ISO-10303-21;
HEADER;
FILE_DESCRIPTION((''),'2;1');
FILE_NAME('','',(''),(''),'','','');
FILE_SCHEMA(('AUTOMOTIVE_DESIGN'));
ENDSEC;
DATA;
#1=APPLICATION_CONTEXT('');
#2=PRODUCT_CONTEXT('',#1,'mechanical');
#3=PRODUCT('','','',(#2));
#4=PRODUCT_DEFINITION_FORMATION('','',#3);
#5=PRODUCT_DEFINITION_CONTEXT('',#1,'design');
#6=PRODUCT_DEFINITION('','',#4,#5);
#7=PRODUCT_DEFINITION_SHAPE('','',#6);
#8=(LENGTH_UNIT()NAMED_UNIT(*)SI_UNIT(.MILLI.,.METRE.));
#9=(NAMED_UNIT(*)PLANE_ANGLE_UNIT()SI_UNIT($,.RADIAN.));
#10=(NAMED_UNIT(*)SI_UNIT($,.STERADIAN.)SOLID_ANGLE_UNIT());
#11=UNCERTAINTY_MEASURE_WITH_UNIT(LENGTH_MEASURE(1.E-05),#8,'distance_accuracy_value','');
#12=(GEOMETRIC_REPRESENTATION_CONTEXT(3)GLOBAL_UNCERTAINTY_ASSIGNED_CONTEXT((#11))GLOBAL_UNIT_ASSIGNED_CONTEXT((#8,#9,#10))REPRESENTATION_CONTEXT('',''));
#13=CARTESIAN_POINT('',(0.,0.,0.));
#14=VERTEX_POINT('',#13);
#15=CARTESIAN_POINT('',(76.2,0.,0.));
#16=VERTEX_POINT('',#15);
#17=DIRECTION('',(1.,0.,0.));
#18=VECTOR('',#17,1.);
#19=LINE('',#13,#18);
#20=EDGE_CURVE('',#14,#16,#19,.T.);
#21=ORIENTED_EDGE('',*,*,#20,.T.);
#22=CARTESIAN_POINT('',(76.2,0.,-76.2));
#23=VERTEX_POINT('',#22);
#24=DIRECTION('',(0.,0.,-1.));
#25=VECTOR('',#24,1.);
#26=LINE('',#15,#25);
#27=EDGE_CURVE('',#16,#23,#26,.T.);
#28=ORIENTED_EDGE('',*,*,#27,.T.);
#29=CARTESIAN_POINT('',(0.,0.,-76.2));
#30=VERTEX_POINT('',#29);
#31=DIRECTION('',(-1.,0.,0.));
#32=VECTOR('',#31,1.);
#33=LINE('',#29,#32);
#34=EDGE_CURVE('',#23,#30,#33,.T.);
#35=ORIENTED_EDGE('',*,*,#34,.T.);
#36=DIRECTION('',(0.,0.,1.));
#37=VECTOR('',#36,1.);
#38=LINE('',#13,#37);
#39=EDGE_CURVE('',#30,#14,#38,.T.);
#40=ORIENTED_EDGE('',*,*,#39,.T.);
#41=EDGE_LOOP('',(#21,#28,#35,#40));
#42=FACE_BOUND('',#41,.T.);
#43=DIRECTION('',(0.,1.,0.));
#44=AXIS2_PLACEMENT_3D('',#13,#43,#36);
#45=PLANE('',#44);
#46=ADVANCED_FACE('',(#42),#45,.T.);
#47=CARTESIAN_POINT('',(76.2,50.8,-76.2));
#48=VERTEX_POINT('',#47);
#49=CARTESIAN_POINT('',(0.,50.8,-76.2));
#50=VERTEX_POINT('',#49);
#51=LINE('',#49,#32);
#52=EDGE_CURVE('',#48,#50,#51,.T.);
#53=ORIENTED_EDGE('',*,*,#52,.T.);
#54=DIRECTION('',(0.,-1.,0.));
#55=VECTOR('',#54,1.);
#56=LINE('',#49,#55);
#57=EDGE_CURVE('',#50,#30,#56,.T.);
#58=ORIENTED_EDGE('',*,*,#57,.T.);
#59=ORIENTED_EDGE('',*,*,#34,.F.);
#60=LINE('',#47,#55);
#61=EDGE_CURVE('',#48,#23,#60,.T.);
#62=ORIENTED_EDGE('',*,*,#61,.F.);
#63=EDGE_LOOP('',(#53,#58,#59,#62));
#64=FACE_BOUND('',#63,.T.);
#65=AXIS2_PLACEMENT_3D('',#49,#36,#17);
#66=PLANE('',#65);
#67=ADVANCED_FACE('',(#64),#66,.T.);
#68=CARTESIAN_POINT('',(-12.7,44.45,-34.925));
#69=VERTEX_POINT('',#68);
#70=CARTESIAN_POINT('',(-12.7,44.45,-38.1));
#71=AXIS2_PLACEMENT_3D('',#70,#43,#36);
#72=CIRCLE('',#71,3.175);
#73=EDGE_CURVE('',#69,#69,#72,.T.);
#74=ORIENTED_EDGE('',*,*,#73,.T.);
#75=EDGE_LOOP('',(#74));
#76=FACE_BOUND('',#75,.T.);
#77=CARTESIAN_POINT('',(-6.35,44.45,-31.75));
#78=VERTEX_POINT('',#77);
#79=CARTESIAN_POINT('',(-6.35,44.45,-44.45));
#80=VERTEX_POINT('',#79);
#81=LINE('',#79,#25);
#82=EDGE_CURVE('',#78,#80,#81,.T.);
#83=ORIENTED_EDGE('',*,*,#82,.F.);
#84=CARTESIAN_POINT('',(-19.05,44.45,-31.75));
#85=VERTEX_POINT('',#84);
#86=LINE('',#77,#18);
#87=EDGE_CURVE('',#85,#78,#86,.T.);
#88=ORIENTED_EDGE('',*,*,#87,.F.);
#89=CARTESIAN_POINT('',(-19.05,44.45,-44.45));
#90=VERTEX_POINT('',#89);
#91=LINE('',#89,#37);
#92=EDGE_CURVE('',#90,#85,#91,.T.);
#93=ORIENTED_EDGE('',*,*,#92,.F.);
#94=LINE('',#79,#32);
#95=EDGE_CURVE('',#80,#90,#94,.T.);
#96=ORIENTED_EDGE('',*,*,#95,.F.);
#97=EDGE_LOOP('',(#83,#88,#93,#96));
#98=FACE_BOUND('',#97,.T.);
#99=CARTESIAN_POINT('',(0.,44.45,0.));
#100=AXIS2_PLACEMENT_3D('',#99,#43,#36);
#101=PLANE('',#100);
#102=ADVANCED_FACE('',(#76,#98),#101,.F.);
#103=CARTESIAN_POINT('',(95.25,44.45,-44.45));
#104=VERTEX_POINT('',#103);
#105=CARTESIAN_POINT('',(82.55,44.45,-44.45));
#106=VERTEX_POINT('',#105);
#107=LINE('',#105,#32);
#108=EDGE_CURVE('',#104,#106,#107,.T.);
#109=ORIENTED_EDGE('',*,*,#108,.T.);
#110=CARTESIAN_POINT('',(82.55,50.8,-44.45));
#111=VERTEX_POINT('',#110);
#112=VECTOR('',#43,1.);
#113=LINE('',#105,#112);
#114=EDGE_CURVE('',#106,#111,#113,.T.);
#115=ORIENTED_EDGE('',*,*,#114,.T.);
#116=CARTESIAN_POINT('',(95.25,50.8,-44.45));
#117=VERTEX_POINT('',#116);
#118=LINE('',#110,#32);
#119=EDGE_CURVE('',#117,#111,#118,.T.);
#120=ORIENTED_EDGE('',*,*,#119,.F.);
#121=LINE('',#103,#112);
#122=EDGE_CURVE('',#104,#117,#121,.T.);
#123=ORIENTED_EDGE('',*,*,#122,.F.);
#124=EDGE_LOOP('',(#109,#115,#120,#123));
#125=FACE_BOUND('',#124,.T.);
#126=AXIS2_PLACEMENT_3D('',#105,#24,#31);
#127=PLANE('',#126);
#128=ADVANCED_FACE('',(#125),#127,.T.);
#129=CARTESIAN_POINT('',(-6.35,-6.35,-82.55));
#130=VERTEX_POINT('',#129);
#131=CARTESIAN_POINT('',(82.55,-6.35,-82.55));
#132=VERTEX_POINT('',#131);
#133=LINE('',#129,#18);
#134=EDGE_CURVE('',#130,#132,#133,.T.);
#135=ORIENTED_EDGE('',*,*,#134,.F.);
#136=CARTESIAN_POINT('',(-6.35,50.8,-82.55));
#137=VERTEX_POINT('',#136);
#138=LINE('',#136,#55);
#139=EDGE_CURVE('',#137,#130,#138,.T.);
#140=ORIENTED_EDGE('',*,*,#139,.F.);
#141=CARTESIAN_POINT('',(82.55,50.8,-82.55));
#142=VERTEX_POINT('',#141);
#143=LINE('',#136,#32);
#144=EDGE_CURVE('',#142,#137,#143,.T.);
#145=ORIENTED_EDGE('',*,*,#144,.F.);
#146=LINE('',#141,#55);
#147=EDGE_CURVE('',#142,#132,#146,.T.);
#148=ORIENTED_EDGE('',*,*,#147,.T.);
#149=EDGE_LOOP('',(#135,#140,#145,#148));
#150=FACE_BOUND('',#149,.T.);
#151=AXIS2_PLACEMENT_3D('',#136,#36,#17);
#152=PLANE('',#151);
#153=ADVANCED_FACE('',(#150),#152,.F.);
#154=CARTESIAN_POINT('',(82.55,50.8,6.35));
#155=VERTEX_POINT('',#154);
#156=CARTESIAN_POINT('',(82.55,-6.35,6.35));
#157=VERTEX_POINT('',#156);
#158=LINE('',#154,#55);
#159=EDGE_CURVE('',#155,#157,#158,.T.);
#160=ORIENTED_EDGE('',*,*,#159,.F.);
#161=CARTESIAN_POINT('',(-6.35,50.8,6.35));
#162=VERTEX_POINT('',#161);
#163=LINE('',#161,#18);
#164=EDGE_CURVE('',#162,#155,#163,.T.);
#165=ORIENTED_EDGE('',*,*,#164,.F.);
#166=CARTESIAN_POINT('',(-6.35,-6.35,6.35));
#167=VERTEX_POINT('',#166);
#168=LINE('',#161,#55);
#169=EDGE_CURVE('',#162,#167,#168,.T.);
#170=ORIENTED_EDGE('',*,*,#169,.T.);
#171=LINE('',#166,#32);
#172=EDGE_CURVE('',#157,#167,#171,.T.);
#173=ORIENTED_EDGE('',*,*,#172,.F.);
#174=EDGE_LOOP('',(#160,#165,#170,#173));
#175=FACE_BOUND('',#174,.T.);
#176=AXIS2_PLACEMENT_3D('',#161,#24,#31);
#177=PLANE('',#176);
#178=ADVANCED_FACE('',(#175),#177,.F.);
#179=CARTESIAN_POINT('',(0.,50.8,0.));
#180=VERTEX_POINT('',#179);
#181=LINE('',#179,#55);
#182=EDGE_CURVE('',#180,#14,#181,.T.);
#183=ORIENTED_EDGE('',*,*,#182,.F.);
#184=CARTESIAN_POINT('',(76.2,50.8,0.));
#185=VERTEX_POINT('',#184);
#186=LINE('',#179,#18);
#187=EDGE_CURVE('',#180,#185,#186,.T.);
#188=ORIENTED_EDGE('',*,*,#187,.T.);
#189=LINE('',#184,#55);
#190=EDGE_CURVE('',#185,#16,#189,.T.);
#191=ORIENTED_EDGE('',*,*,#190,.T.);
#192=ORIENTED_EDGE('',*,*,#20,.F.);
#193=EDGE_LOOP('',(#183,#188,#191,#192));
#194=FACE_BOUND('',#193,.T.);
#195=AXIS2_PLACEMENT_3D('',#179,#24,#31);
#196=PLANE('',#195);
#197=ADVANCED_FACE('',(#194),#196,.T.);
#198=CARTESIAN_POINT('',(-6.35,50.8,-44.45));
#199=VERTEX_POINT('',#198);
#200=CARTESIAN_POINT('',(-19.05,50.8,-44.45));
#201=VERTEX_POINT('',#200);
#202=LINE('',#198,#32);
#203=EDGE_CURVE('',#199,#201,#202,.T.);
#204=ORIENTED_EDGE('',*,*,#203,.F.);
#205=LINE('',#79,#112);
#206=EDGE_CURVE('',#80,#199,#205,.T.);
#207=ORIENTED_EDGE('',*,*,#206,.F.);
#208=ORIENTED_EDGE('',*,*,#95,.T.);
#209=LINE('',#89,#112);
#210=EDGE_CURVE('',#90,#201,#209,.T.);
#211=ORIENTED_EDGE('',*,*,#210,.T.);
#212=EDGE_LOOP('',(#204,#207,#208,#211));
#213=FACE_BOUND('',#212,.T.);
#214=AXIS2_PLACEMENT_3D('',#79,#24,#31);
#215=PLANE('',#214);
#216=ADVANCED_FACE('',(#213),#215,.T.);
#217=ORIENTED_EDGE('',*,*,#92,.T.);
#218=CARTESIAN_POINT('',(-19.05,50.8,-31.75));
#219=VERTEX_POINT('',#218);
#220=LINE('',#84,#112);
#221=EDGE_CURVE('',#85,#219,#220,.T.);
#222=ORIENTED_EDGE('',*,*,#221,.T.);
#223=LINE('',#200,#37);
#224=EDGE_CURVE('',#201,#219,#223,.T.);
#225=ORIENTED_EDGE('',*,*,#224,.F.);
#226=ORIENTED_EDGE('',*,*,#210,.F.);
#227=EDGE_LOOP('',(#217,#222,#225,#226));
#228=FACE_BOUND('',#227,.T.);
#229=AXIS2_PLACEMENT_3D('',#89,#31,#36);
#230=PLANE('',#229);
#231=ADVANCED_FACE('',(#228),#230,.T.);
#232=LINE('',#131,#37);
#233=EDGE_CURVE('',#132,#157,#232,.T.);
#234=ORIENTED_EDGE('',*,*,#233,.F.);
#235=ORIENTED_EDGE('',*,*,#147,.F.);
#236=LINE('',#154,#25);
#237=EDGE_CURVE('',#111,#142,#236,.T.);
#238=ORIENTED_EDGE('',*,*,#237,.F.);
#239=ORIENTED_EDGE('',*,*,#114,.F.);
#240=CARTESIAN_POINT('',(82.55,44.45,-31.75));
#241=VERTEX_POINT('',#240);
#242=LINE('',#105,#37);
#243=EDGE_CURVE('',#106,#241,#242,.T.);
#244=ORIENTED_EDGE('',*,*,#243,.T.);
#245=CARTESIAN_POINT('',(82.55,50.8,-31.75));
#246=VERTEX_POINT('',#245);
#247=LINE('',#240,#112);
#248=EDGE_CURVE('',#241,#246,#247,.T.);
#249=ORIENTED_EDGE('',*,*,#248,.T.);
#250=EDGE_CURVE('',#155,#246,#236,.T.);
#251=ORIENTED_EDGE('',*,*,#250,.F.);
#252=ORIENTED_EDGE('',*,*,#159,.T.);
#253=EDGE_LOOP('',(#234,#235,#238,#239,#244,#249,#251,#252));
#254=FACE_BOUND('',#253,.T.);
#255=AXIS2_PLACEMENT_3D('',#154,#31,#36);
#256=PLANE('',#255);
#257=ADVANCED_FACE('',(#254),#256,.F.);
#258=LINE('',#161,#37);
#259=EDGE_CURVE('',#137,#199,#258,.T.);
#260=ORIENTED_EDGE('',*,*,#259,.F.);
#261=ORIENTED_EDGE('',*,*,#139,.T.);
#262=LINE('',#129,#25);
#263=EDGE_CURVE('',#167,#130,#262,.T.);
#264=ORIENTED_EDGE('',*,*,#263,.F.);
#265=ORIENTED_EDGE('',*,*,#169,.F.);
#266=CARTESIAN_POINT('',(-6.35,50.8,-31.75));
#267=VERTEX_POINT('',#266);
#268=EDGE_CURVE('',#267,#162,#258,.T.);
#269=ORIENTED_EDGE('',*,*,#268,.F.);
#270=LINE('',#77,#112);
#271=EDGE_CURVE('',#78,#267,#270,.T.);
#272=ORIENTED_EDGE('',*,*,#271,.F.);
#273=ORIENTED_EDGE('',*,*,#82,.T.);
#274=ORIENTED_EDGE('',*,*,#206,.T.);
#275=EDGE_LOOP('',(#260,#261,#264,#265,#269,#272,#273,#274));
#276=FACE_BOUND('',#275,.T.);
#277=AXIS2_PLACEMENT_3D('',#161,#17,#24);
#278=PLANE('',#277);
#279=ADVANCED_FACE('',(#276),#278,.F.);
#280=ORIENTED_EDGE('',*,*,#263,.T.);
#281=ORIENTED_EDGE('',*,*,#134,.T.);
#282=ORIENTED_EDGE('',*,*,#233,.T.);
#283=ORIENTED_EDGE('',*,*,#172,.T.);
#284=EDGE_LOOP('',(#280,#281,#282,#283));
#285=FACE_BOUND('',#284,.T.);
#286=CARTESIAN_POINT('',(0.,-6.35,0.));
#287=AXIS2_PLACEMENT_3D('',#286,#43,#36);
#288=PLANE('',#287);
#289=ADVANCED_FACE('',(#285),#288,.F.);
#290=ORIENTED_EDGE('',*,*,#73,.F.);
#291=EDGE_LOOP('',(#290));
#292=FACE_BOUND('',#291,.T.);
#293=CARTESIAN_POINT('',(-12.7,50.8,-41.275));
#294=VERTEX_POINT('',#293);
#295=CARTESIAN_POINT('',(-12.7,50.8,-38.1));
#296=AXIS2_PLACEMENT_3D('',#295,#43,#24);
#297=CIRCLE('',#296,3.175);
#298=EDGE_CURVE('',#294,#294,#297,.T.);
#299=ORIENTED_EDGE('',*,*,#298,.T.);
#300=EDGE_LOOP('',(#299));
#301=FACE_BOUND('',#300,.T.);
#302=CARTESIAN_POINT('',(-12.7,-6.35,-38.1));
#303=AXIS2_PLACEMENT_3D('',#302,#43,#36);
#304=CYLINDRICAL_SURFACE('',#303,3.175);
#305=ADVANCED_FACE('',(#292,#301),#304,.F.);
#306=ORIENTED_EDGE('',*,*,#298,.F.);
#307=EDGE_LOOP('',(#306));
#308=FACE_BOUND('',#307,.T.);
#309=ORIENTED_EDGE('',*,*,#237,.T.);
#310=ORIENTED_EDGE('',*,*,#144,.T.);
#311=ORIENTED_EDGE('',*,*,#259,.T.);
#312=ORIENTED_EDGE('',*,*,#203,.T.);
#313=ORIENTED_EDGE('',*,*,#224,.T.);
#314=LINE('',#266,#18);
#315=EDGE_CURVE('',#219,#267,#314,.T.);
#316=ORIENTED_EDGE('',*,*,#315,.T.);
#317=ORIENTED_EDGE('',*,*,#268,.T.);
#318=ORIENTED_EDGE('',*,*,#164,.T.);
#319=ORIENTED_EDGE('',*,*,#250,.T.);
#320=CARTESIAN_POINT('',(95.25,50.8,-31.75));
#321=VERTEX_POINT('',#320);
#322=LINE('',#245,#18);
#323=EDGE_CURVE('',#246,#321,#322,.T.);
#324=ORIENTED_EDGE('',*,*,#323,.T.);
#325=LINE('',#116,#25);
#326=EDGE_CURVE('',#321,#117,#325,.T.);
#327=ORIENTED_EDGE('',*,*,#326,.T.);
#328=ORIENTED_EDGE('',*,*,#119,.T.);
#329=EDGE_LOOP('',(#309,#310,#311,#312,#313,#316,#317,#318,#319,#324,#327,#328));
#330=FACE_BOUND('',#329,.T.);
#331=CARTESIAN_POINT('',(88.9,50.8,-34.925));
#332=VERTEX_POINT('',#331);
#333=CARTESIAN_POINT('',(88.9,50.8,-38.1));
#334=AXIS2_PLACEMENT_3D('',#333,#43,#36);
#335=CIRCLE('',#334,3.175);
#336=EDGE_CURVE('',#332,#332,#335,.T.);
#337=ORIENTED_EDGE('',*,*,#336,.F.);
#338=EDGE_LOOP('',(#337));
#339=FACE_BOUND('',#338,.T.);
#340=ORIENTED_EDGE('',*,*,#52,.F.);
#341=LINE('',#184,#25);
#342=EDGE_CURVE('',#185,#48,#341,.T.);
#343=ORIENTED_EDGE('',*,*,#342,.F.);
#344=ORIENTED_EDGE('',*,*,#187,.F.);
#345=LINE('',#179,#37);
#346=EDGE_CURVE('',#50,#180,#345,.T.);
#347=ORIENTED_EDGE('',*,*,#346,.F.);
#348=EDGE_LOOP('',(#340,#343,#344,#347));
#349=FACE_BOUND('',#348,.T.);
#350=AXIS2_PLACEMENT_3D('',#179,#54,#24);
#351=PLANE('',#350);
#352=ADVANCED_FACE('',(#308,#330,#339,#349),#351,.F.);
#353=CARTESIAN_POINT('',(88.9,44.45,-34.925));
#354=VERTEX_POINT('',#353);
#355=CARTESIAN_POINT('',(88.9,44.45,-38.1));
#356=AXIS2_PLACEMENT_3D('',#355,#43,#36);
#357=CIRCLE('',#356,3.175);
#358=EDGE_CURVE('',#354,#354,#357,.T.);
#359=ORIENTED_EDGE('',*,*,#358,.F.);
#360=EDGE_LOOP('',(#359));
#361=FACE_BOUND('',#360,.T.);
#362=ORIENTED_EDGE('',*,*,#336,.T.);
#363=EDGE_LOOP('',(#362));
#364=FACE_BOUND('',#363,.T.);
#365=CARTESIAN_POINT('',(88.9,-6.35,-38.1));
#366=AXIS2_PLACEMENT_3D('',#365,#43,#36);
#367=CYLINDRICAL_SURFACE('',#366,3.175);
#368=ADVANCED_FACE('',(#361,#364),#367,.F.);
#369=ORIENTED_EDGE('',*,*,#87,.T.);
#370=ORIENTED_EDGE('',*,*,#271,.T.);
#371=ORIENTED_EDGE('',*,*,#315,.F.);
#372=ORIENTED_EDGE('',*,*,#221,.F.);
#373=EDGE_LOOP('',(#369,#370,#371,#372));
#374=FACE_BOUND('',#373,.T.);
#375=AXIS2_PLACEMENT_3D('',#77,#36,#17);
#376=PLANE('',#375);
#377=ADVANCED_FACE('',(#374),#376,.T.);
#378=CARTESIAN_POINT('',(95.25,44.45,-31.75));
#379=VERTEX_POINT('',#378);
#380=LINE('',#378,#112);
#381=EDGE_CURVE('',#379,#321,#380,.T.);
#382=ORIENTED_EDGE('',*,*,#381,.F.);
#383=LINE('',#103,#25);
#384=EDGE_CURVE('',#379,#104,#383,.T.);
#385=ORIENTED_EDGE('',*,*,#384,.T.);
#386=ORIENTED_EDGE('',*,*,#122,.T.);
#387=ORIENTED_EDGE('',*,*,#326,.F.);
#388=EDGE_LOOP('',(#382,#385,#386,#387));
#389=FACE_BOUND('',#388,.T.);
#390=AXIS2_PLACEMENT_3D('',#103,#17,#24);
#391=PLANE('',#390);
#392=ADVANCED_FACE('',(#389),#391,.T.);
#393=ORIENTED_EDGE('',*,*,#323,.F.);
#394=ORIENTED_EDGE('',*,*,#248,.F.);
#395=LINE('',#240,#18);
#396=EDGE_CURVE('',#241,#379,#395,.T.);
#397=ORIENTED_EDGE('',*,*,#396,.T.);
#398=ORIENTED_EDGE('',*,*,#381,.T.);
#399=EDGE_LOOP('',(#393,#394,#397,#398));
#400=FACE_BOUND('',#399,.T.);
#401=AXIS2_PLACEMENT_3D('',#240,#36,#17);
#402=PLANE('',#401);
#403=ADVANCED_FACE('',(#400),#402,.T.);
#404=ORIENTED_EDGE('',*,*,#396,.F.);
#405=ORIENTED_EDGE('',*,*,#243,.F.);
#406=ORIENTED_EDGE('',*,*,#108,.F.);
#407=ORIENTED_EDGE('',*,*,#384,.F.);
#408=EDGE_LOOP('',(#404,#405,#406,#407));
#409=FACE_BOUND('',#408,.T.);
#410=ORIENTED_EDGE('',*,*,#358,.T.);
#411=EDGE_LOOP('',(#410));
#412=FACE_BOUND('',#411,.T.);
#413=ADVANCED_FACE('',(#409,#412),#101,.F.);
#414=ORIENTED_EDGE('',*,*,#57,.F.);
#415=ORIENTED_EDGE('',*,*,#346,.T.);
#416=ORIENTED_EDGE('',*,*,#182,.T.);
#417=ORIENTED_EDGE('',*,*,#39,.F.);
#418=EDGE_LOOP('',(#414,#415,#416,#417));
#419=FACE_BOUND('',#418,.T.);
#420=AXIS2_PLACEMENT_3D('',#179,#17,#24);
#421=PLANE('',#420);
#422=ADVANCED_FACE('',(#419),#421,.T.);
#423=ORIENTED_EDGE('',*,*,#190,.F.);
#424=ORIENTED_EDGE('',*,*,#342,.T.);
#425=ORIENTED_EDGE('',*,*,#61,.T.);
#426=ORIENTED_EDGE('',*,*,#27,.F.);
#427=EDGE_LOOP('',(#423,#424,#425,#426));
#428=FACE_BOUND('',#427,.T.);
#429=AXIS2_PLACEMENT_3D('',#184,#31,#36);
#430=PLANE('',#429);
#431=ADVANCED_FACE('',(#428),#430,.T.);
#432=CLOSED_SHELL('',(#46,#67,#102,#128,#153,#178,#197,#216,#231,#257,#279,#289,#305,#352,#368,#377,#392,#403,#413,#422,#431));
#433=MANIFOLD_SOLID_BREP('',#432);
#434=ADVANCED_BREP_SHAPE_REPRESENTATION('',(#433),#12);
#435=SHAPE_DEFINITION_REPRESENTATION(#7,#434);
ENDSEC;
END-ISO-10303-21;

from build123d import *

# Parameters (mm, degrees)
SKETCH1_W           = 88.9
SKETCH1_H           = 88.9
SKETCH1_W_2         = 76.2
SKETCH1_H_2         = 76.2
BOSS_EXTRUDE1_DEPTH = 50.8
SKETCH2_W           = 88.9
SKETCH2_H           = 88.9
BOSS_EXTRUDE2_DEPTH = 6.35
SKETCH3_W           = 12.7
SKETCH3_H           = 12.7
BOSS_EXTRUDE3_DEPTH = 6.35
SKETCH4_R           = 3.175
CUT_EXTRUDE1_DEPTH  = 58.15


with BuildPart() as part:
    # Sketch1 → Boss-Extrude1 (new body)
    with BuildSketch(Plane(origin=(0, 0, 0), x_dir=(1, 0, 0), z_dir=(0, 1, 0))):
        with Locations((38.1, 38.1)):
            Rectangle(SKETCH1_W, SKETCH1_H)
        with Locations((38.1, 38.1)):
            Rectangle(SKETCH1_W_2, SKETCH1_H_2, mode=Mode.SUBTRACT)
    extrude(amount=BOSS_EXTRUDE1_DEPTH)

    # Sketch2 → Boss-Extrude2 (add)
    with BuildSketch(Plane.XZ):
        with Locations((38.1, -38.1)):
            Rectangle(SKETCH2_W, SKETCH2_H)
    extrude(amount=BOSS_EXTRUDE2_DEPTH)

    # Sketch3 → Boss-Extrude3 (add)
    with BuildSketch(Plane(origin=(0, 50.8, 0), x_dir=(1, 0, 0), z_dir=(0, 1, 0))):
        with Locations((88.9, 38.1)):
            Rectangle(SKETCH3_W, SKETCH3_H)
        with Locations((-12.7, 38.1)):
            Rectangle(SKETCH3_W, SKETCH3_H)
    extrude(amount=-BOSS_EXTRUDE3_DEPTH)

    # Sketch4 → Cut-Extrude1 (cut, through all)
    with BuildSketch(Plane(origin=(0, 50.8, 0), x_dir=(1, 0, 0), z_dir=(0, 1, 0))):
        with Locations((88.9, 38.1)):
            Circle(SKETCH4_R)
        with Locations((-12.7, 38.1)):
            Circle(SKETCH4_R)
    extrude(amount=-CUT_EXTRUDE1_DEPTH, mode=Mode.SUBTRACT)


solid = part.part
